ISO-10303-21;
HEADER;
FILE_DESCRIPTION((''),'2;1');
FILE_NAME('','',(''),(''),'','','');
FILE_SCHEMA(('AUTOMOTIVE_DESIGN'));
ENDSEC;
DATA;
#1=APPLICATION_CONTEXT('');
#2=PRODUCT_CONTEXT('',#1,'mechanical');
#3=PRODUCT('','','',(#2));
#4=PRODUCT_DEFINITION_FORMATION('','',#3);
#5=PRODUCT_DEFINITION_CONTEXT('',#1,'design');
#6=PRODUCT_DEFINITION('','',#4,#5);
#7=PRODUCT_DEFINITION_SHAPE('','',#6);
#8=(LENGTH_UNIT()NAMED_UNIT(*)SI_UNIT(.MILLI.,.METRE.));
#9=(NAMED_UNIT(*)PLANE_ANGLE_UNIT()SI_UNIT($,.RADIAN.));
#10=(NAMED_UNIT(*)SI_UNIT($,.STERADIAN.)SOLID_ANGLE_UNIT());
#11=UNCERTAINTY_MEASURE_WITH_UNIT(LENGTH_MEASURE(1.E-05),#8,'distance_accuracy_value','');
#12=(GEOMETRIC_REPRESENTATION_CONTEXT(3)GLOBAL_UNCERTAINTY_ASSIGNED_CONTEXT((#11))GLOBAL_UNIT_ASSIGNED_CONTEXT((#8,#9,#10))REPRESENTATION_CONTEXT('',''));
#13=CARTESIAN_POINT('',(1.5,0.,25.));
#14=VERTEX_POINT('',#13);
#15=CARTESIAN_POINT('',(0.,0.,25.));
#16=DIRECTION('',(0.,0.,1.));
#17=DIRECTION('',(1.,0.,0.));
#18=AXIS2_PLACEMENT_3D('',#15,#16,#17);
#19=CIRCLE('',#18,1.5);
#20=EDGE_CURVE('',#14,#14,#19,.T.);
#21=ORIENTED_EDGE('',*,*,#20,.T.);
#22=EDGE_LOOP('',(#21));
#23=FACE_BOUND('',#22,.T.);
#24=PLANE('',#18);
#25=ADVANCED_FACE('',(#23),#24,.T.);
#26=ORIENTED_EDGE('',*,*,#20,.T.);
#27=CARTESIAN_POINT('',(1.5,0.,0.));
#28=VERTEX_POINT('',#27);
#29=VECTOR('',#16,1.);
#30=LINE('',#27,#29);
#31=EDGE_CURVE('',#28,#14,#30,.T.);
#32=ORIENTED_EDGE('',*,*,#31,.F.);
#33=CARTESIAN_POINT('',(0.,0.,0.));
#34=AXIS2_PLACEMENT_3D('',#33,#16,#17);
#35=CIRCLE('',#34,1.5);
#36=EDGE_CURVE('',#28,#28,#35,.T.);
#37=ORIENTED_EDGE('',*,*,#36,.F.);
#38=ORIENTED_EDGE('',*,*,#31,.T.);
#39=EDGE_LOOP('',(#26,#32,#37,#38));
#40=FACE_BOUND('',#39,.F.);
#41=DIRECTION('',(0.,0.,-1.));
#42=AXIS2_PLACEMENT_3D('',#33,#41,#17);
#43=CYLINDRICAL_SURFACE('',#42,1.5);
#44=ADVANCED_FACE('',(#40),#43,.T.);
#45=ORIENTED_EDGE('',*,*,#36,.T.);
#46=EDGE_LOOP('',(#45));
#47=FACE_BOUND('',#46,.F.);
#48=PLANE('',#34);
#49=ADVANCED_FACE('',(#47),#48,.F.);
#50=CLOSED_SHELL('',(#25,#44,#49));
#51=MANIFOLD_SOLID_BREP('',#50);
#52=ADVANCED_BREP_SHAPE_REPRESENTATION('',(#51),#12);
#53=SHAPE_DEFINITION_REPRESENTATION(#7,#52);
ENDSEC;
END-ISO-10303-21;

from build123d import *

# Parameters (mm, degrees)
SKETCH_1_R      = 1.5
EXTRUDE_1_DEPTH = 25


with BuildPart() as part:
    # ｽｹｯﾁ1 → ﾎﾞｽ - 押し出し1 (new body)
    with BuildSketch(Plane.XY):
        Circle(SKETCH_1_R)
    extrude(amount=EXTRUDE_1_DEPTH)


solid = part.part
